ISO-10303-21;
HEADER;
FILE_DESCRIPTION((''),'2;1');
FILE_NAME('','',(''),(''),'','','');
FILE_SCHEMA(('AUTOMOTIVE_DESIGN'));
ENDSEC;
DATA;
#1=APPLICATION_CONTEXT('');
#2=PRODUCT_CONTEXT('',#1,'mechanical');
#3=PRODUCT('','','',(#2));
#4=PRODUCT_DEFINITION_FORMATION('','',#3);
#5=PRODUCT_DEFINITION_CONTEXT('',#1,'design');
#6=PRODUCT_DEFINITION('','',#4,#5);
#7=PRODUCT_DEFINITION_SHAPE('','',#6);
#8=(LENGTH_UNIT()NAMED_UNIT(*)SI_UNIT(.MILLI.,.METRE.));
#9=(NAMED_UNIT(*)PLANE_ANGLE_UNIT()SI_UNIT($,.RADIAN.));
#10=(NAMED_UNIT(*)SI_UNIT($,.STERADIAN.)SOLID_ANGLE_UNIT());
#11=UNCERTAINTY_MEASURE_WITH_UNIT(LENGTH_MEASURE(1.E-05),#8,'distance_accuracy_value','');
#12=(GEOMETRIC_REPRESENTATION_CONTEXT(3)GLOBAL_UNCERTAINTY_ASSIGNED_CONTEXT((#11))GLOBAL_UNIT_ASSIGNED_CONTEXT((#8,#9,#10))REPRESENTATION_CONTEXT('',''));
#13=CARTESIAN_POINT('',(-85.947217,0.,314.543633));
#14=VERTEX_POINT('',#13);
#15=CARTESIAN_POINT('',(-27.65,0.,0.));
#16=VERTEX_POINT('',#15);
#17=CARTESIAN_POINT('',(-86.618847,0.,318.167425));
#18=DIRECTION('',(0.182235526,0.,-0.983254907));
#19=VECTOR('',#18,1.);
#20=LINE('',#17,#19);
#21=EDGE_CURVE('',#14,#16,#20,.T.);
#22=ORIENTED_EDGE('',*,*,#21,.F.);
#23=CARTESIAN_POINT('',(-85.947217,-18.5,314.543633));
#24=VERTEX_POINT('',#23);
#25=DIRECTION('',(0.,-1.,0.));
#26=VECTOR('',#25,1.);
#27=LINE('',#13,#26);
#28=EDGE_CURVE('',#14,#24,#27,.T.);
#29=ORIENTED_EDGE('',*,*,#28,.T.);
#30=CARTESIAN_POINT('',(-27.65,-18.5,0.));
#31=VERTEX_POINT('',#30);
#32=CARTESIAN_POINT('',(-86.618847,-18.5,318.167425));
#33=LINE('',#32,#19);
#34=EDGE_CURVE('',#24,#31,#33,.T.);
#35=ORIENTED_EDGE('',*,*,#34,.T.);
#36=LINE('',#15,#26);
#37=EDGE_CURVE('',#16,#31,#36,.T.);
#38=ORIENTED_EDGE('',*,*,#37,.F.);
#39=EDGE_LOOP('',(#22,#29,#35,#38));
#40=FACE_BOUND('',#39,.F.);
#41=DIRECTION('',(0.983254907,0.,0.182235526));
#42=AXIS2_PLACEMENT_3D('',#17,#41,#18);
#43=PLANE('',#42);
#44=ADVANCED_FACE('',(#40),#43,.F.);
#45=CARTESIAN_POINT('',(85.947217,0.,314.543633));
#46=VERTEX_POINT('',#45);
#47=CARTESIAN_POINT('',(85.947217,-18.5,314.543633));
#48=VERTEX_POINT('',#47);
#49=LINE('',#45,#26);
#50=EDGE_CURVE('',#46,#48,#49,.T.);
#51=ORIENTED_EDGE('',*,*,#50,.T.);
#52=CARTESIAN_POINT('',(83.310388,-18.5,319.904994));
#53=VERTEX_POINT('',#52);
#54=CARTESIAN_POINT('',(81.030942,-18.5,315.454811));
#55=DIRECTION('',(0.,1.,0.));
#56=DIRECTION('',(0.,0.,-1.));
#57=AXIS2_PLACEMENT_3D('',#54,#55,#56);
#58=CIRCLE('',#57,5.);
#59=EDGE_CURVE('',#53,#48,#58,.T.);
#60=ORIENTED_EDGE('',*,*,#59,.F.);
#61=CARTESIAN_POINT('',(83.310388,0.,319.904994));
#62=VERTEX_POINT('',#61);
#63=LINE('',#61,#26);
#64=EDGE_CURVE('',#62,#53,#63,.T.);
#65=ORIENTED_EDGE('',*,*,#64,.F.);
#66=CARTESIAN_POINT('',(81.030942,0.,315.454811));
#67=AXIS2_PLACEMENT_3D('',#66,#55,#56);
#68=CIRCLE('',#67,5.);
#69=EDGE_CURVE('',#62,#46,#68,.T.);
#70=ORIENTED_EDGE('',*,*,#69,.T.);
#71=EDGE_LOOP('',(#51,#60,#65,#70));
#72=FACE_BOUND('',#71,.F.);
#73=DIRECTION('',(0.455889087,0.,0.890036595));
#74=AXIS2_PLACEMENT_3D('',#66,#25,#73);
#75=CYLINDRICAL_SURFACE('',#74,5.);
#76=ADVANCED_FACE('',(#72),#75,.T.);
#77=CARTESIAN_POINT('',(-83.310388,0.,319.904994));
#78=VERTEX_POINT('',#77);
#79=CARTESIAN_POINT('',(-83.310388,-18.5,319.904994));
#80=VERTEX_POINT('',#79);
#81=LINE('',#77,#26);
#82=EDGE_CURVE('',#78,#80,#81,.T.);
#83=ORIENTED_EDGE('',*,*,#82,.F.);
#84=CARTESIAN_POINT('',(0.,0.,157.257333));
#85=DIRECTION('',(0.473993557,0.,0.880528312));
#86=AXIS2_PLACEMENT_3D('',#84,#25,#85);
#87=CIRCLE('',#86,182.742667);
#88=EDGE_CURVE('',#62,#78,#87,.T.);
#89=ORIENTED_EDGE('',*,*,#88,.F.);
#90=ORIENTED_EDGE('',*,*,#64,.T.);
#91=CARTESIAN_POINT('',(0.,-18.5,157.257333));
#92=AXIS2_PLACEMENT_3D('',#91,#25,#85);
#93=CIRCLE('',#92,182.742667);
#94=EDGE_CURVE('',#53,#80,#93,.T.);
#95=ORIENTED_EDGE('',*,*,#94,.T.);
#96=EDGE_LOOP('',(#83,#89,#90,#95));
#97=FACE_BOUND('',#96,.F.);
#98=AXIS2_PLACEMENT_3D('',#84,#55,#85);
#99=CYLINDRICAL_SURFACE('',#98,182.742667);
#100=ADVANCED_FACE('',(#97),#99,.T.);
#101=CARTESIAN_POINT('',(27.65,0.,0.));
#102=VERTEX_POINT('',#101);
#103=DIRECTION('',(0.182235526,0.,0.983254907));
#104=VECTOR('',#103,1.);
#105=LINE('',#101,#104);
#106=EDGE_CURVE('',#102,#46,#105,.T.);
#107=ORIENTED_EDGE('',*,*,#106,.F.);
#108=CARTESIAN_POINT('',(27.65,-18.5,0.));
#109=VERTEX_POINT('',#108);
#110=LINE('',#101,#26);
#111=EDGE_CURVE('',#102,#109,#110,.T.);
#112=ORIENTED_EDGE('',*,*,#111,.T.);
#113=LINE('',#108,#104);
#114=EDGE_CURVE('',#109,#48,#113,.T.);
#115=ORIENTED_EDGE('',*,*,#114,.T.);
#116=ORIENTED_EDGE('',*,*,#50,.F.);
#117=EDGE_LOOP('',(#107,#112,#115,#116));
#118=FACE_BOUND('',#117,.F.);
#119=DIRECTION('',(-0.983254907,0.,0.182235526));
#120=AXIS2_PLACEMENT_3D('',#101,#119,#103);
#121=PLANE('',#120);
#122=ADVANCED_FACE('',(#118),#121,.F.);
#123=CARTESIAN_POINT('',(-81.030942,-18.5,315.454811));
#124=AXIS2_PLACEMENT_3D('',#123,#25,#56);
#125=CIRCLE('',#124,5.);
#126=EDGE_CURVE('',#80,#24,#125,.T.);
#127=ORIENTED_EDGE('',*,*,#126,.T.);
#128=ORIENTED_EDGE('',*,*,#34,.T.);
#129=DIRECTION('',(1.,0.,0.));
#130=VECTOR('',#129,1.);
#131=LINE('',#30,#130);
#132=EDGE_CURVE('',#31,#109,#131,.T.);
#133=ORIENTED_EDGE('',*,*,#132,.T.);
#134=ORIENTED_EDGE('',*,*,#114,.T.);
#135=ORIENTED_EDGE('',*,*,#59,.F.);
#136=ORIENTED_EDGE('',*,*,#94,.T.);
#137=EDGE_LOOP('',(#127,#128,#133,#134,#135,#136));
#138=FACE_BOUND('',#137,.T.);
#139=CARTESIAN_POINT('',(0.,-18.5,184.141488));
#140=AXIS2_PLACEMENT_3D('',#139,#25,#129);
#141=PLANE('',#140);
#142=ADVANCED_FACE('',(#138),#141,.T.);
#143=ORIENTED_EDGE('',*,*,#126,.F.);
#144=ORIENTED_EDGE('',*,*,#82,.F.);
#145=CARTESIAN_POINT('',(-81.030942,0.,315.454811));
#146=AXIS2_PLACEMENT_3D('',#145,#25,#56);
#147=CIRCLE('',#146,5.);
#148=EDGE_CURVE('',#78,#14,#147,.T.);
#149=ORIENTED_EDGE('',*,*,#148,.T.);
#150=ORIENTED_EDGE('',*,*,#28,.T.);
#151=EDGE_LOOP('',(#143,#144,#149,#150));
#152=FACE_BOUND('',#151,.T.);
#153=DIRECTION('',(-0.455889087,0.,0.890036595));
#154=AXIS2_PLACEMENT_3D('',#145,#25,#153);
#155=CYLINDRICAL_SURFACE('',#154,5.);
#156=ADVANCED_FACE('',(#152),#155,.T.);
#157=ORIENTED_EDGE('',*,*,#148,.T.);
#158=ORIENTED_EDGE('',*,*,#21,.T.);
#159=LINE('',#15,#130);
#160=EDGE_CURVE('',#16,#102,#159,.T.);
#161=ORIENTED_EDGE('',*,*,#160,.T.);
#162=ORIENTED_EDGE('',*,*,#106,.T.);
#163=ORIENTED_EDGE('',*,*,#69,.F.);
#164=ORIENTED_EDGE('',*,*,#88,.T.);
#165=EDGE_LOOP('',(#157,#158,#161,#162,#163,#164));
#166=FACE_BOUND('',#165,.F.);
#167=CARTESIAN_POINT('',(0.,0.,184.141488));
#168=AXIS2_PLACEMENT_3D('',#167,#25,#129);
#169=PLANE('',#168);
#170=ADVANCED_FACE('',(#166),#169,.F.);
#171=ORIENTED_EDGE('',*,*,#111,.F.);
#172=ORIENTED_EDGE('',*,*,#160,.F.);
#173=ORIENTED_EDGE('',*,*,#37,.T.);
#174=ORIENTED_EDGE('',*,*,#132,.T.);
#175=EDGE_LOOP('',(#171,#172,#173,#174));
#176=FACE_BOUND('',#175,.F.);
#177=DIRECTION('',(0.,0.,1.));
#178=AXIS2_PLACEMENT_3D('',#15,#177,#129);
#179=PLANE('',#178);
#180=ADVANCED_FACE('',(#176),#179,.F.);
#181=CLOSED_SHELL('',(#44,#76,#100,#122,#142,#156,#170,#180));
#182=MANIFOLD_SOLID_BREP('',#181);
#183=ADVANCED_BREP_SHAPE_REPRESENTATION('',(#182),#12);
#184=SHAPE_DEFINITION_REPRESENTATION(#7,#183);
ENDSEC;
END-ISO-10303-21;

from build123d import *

# Parameters (mm, degrees)
F1_DEPTH = 18.5
F2_R     = 5
F3_R     = 5


with BuildPart() as f1:
    # F0 (on Front) → F1 (new body)
    with BuildSketch(Plane.XZ):
        with BuildLine():
            Line((-27.65, 0), (27.65, 0))
            Line((27.65, 0), (86.618847, 318.167425))
            ThreePointArc((86.618847, 318.167425), (0, 340), (-86.618847, 318.167425))
            Line((-86.618847, 318.167425), (-27.65, 0))
        make_face()
    extrude(amount=F1_DEPTH)

    # F2
    f2_edges = [f1.edges().sort_by_distance(p)[0] for p in [
        (-86.618847, -9.25, 318.167425),
    ]]
    fillet(f2_edges, radius=F2_R)

    # F3
    f3_edges = [f1.edges().sort_by_distance(p)[0] for p in [
        (86.618847, -9.25, 318.167425),
    ]]
    fillet(f3_edges, radius=F3_R)


solid = f1.part
